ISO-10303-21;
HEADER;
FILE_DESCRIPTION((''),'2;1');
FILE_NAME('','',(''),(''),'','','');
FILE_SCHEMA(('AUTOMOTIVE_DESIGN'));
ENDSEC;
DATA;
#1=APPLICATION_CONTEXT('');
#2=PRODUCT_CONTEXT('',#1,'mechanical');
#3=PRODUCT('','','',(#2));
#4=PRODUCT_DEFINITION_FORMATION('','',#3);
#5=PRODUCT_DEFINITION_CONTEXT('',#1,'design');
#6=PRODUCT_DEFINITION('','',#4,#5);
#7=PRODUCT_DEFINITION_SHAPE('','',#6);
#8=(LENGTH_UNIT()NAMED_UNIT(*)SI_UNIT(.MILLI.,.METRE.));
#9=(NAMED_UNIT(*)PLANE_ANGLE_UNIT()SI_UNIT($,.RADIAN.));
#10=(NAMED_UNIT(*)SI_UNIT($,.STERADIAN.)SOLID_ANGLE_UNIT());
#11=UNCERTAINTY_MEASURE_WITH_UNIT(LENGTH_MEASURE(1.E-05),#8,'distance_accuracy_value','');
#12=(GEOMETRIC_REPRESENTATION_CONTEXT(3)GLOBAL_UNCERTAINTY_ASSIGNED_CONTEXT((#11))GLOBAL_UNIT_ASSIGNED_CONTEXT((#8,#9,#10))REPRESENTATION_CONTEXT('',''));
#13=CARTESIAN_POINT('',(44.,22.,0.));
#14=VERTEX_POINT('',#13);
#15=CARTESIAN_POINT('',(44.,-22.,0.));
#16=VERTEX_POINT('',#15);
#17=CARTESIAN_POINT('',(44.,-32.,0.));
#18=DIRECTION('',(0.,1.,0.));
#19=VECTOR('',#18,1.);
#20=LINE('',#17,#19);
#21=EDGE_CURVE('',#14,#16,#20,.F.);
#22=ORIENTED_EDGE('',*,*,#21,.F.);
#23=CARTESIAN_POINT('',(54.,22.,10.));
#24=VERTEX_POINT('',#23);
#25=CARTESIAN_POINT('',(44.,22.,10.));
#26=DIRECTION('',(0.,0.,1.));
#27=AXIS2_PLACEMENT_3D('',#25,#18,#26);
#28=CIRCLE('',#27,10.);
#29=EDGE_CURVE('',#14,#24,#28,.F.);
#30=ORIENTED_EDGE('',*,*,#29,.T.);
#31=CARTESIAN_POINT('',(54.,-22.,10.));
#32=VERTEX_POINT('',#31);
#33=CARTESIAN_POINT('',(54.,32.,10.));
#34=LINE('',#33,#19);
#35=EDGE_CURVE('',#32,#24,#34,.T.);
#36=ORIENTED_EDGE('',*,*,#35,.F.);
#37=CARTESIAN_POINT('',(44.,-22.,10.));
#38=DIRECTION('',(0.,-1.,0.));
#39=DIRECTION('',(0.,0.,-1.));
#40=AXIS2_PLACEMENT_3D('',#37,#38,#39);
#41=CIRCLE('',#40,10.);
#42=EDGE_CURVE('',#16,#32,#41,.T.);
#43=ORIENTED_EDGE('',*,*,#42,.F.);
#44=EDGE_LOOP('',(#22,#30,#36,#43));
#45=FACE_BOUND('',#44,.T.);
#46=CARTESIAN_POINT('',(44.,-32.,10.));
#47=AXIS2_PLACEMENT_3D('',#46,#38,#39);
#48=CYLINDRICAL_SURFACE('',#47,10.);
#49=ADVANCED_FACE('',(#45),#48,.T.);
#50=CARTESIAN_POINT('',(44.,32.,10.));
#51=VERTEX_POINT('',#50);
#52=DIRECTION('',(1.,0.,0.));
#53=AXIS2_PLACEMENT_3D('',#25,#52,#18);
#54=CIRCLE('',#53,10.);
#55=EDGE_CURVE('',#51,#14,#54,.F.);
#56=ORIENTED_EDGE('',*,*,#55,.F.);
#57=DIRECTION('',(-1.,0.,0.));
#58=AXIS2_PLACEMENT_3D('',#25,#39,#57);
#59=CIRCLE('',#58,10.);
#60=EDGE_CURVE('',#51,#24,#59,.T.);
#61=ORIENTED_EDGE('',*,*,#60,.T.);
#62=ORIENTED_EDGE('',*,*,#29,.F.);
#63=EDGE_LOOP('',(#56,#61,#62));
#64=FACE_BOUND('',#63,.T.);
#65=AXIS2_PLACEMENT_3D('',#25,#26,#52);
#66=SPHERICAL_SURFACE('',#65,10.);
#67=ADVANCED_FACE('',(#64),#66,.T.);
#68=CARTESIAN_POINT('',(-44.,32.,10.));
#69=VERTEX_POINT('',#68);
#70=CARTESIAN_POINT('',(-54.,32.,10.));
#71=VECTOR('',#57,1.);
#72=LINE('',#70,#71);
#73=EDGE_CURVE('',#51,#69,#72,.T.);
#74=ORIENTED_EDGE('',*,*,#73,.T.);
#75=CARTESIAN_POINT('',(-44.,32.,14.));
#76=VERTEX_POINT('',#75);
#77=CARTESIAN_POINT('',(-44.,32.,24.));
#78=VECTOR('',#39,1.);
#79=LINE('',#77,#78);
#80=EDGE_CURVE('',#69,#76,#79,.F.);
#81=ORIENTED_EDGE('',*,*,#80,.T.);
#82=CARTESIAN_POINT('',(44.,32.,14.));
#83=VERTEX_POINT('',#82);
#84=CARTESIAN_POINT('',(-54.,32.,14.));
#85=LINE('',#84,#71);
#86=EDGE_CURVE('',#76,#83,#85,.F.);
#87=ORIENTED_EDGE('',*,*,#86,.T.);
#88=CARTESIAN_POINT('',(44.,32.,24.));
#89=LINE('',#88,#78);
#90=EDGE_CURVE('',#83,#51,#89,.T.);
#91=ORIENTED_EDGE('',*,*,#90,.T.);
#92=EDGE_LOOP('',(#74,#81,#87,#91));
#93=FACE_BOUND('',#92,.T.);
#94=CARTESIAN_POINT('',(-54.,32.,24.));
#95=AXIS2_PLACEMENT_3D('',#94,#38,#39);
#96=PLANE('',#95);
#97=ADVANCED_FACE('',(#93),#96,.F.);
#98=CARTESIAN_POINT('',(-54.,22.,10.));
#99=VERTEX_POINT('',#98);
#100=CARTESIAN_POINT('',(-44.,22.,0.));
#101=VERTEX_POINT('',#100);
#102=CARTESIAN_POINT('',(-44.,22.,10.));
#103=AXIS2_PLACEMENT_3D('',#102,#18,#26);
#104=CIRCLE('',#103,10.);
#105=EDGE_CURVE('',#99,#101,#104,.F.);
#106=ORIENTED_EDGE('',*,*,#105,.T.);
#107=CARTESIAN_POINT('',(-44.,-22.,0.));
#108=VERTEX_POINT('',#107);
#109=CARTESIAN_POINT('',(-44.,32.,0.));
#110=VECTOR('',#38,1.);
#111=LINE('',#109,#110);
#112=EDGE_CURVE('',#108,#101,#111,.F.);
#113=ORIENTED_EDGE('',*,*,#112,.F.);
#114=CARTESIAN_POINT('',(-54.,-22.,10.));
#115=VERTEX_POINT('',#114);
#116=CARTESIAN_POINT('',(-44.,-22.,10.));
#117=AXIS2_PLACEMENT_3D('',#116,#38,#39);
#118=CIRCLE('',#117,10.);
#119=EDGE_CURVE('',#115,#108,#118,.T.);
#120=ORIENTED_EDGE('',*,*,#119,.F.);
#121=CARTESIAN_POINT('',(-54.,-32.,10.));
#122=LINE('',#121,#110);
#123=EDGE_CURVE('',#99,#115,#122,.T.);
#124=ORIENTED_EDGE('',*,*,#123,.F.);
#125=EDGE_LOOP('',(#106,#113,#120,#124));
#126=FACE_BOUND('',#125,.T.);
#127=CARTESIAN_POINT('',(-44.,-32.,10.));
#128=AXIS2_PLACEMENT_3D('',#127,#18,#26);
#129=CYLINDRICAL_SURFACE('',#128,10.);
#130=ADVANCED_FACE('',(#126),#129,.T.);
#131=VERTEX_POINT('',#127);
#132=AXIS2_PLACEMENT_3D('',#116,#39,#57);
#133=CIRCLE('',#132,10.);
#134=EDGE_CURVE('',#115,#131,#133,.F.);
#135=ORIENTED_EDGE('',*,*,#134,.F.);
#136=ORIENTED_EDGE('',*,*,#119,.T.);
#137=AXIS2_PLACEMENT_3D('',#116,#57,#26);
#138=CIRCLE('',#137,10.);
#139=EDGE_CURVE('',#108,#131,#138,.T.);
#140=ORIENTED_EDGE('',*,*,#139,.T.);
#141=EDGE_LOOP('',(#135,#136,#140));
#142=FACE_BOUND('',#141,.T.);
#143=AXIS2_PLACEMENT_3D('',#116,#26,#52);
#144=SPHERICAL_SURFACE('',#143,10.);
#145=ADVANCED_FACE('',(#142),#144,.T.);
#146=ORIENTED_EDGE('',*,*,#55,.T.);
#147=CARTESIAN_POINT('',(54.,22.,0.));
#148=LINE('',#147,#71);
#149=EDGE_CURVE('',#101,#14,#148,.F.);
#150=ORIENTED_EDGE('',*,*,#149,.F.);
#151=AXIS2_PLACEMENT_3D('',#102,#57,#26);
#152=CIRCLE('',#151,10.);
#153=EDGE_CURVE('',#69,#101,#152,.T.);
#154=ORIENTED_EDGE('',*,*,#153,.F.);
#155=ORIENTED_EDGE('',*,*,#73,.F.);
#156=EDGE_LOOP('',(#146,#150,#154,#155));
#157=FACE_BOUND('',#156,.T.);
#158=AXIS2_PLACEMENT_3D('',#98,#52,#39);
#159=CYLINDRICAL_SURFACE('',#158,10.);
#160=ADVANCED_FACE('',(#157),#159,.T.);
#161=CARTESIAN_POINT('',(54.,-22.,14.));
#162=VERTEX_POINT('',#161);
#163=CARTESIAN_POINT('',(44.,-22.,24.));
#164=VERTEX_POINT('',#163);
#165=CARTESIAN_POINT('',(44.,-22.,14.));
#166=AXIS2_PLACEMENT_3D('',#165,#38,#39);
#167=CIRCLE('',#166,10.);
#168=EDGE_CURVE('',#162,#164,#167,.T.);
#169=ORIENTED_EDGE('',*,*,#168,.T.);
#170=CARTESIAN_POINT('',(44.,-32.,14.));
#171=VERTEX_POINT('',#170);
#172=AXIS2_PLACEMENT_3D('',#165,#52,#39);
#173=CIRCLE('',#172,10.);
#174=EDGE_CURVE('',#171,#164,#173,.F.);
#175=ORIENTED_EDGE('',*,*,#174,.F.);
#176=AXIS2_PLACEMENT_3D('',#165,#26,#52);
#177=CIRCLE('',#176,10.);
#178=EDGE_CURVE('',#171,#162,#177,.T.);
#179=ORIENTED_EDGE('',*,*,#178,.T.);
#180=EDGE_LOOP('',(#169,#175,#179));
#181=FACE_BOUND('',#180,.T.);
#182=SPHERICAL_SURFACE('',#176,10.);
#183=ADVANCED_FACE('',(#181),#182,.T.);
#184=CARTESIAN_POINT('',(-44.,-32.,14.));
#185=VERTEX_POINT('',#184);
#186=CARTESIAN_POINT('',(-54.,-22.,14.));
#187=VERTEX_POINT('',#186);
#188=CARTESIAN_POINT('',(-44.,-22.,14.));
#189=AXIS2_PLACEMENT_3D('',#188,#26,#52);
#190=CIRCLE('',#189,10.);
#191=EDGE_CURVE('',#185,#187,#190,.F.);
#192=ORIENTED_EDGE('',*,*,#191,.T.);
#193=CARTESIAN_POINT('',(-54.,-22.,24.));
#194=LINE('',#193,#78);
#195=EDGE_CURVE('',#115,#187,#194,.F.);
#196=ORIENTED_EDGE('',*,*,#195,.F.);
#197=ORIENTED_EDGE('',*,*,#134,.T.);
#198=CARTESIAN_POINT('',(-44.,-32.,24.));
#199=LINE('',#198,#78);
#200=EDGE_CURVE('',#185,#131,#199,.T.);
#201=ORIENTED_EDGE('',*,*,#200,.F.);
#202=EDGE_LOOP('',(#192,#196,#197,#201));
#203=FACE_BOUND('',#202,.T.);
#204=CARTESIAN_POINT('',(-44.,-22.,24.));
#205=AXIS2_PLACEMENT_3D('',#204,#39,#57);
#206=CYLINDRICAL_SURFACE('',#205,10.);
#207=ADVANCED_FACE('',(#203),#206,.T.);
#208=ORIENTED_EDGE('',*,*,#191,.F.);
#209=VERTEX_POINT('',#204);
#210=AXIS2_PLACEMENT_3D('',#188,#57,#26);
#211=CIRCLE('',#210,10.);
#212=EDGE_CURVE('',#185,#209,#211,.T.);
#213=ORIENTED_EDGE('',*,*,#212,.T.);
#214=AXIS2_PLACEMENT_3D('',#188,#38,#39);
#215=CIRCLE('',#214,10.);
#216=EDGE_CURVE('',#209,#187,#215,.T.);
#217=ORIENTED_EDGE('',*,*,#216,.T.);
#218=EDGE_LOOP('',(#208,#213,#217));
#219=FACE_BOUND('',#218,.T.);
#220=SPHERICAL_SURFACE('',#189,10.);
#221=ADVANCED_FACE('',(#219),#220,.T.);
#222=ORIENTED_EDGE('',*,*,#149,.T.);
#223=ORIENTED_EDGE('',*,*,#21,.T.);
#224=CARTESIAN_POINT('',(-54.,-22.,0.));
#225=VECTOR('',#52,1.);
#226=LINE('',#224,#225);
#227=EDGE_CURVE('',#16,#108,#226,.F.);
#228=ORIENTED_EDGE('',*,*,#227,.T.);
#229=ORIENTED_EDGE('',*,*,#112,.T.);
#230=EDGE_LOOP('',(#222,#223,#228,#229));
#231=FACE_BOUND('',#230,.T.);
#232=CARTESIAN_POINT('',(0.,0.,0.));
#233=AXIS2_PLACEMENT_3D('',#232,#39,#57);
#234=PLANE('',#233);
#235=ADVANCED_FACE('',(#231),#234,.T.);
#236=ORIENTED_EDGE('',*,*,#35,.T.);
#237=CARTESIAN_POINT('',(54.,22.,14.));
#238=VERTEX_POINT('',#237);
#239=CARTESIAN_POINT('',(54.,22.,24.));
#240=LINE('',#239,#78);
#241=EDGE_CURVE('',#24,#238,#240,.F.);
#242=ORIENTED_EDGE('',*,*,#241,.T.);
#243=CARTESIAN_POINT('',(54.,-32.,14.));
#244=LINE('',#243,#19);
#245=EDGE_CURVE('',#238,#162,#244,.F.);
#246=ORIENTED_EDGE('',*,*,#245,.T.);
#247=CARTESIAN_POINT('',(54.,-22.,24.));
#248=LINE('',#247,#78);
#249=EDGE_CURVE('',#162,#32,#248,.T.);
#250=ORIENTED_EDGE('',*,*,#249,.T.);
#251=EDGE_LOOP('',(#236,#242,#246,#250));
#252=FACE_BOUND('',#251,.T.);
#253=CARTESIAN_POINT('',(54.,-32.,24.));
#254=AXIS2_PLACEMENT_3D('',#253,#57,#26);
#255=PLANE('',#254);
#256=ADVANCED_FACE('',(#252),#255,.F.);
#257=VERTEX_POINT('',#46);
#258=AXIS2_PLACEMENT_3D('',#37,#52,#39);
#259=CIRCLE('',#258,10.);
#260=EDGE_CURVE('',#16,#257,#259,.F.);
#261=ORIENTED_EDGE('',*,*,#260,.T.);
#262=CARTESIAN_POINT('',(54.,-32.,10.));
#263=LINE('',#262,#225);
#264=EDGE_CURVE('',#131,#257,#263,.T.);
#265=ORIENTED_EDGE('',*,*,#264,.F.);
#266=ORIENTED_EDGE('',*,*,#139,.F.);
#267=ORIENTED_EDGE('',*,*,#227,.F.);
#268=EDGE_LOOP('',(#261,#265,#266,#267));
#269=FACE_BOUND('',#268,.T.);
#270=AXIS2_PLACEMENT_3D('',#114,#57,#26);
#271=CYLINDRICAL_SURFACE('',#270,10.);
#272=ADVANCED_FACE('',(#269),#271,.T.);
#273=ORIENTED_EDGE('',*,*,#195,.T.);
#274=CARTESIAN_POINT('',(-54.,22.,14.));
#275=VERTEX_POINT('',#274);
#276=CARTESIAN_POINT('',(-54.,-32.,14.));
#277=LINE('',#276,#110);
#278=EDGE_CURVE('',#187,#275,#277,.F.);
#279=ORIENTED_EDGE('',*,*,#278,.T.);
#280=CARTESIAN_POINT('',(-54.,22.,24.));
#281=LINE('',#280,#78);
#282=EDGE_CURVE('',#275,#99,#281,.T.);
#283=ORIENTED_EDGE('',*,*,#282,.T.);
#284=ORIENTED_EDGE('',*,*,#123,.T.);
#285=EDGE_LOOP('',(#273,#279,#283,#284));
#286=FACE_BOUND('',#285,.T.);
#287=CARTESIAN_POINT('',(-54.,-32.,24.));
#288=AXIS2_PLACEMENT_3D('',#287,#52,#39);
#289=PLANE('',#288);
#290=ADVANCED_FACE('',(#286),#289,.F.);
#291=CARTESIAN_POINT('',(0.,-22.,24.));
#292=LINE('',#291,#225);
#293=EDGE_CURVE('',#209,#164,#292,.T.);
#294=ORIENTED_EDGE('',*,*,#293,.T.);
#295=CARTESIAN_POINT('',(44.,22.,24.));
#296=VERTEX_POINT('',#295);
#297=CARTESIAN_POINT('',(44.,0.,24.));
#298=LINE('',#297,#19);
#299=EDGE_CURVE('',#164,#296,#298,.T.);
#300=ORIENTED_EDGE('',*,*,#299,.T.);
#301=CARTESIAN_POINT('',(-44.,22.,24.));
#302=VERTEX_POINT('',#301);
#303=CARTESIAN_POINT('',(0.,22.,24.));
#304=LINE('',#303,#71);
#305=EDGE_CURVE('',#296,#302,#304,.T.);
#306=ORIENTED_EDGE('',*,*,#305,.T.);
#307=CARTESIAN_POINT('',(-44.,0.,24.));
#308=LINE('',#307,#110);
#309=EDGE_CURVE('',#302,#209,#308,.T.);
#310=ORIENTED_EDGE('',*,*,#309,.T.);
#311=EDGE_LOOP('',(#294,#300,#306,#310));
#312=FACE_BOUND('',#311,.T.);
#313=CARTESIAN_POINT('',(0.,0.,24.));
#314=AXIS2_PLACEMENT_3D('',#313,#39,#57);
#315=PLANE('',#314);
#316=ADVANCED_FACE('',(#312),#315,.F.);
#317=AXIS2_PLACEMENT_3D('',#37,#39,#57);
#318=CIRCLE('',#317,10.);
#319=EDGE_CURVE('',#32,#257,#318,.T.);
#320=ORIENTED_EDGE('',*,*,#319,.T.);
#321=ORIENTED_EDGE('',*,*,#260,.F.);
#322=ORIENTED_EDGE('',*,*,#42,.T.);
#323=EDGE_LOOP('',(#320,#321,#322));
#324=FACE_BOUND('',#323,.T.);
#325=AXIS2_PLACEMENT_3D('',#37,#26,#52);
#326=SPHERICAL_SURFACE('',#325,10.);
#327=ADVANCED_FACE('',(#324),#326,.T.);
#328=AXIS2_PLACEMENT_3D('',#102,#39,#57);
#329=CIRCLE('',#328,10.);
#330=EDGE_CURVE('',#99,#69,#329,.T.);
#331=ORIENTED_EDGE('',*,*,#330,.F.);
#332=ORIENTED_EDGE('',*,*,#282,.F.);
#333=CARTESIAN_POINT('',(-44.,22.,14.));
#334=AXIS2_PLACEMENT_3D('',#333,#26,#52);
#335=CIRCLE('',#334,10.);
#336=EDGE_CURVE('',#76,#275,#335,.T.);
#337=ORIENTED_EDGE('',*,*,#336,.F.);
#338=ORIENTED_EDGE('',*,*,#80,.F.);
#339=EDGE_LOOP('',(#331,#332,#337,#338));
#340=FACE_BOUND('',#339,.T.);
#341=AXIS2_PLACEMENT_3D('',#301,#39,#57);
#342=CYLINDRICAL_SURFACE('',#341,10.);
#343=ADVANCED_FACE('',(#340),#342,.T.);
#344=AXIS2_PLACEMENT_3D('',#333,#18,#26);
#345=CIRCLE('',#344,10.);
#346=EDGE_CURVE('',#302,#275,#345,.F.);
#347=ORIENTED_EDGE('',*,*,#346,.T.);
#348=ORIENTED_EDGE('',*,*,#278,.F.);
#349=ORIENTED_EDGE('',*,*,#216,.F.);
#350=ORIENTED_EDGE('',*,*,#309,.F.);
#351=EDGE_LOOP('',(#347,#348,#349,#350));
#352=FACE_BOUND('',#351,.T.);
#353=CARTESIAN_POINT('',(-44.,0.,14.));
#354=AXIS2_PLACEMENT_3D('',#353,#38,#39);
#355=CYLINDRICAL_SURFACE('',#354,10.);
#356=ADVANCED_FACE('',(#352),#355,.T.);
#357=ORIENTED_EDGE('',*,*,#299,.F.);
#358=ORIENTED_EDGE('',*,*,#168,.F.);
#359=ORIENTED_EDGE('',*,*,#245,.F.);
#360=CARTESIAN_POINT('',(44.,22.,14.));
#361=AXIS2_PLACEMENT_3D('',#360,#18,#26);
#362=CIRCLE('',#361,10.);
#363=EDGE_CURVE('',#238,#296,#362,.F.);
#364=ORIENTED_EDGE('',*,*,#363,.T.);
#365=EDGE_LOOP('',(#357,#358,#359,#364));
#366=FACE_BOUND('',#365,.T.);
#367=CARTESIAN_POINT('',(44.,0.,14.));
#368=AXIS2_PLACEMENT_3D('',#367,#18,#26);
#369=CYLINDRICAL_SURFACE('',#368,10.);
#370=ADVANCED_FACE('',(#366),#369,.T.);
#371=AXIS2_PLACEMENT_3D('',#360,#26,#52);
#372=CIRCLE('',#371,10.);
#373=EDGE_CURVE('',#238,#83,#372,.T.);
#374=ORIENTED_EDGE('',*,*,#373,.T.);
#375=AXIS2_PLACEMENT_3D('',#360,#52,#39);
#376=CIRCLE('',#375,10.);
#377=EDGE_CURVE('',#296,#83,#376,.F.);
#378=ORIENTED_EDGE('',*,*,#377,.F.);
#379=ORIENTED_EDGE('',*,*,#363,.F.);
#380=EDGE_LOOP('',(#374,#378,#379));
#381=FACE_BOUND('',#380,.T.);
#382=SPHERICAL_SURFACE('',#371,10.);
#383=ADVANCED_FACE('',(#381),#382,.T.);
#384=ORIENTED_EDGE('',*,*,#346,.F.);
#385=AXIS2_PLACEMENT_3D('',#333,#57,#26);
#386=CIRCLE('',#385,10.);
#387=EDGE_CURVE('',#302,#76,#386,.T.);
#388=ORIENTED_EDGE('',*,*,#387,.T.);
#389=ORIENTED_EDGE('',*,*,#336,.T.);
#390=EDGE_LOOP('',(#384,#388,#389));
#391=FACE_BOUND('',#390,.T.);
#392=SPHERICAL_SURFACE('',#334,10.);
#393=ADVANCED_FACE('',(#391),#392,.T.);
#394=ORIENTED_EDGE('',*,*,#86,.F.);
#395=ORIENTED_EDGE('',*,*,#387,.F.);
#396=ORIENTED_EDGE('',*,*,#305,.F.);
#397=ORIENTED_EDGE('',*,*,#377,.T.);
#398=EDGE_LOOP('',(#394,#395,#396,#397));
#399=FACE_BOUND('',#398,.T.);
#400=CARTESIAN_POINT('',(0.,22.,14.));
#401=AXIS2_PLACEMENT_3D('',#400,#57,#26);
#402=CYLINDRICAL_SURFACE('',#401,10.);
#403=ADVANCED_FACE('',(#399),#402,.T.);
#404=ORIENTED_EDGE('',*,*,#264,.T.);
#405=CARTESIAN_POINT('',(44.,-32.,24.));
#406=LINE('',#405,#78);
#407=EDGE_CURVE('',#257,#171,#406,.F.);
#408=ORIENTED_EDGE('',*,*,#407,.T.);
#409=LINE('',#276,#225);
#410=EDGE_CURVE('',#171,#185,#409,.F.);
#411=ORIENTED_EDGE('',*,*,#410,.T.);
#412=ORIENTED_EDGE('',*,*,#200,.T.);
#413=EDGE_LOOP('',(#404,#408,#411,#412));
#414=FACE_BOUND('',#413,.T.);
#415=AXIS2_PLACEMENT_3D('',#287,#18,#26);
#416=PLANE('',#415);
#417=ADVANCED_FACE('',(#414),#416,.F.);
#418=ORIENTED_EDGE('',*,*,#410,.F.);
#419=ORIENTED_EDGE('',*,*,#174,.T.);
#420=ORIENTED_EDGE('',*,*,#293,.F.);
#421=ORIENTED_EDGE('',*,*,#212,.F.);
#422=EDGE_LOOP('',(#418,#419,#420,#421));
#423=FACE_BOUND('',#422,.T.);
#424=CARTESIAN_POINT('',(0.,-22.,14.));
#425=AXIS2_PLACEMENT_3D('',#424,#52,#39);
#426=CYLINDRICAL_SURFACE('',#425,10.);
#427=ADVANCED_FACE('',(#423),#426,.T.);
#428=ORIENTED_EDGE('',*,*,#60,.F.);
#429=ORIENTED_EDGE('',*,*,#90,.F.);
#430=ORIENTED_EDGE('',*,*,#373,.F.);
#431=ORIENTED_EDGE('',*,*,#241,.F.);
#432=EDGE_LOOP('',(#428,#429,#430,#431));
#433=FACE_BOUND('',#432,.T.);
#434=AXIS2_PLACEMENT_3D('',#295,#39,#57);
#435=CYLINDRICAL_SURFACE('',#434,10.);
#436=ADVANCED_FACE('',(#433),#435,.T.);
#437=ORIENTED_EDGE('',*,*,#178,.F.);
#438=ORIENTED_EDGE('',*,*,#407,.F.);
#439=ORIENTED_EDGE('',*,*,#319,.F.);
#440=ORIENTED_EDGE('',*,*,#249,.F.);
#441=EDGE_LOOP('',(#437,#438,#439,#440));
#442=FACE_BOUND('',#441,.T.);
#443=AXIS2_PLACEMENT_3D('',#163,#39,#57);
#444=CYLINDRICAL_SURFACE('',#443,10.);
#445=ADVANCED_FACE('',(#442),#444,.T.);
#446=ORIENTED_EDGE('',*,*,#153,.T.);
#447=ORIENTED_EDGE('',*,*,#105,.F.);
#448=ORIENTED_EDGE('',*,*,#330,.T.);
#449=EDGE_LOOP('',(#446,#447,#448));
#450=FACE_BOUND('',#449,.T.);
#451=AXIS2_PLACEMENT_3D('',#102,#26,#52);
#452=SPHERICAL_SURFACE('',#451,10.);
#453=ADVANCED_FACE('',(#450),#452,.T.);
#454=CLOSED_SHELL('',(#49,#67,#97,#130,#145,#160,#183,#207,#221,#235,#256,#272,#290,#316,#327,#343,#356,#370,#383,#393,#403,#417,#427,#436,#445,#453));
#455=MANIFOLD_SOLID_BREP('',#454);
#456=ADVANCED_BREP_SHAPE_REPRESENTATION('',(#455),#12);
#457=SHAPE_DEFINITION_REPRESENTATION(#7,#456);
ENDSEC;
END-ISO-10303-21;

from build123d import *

# Parameters (mm, degrees)
CROQUIS1_W              = 108
CROQUIS1_H              = 64
SALIENTE_EXTRUIR1_DEPTH = 24
REDONDEO1_R             = 10


with BuildPart() as part:
    # Croquis1 → Saliente-Extruir1 (new body)
    with BuildSketch(Plane.XY):
        Rectangle(CROQUIS1_W, CROQUIS1_H)
    extrude(amount=SALIENTE_EXTRUIR1_DEPTH)

    # Redondeo1
    redondeo1_edges = [part.edges().sort_by_distance(p)[0] for p in [
        (-54, 0, 24),
        (0, -32, 24),
        (54, 0, 24),
        (0, -32, 0),
        (-54, 0, 0),
        (0, 32, 0),
        (54, 0, 0),
        (54, -32, 12),
        (-54, -32, 12),
        (-54, 32, 12),
        (54, 32, 12),
        (0, 32, 24),
    ]]
    fillet(redondeo1_edges, radius=REDONDEO1_R)


solid = part.part
